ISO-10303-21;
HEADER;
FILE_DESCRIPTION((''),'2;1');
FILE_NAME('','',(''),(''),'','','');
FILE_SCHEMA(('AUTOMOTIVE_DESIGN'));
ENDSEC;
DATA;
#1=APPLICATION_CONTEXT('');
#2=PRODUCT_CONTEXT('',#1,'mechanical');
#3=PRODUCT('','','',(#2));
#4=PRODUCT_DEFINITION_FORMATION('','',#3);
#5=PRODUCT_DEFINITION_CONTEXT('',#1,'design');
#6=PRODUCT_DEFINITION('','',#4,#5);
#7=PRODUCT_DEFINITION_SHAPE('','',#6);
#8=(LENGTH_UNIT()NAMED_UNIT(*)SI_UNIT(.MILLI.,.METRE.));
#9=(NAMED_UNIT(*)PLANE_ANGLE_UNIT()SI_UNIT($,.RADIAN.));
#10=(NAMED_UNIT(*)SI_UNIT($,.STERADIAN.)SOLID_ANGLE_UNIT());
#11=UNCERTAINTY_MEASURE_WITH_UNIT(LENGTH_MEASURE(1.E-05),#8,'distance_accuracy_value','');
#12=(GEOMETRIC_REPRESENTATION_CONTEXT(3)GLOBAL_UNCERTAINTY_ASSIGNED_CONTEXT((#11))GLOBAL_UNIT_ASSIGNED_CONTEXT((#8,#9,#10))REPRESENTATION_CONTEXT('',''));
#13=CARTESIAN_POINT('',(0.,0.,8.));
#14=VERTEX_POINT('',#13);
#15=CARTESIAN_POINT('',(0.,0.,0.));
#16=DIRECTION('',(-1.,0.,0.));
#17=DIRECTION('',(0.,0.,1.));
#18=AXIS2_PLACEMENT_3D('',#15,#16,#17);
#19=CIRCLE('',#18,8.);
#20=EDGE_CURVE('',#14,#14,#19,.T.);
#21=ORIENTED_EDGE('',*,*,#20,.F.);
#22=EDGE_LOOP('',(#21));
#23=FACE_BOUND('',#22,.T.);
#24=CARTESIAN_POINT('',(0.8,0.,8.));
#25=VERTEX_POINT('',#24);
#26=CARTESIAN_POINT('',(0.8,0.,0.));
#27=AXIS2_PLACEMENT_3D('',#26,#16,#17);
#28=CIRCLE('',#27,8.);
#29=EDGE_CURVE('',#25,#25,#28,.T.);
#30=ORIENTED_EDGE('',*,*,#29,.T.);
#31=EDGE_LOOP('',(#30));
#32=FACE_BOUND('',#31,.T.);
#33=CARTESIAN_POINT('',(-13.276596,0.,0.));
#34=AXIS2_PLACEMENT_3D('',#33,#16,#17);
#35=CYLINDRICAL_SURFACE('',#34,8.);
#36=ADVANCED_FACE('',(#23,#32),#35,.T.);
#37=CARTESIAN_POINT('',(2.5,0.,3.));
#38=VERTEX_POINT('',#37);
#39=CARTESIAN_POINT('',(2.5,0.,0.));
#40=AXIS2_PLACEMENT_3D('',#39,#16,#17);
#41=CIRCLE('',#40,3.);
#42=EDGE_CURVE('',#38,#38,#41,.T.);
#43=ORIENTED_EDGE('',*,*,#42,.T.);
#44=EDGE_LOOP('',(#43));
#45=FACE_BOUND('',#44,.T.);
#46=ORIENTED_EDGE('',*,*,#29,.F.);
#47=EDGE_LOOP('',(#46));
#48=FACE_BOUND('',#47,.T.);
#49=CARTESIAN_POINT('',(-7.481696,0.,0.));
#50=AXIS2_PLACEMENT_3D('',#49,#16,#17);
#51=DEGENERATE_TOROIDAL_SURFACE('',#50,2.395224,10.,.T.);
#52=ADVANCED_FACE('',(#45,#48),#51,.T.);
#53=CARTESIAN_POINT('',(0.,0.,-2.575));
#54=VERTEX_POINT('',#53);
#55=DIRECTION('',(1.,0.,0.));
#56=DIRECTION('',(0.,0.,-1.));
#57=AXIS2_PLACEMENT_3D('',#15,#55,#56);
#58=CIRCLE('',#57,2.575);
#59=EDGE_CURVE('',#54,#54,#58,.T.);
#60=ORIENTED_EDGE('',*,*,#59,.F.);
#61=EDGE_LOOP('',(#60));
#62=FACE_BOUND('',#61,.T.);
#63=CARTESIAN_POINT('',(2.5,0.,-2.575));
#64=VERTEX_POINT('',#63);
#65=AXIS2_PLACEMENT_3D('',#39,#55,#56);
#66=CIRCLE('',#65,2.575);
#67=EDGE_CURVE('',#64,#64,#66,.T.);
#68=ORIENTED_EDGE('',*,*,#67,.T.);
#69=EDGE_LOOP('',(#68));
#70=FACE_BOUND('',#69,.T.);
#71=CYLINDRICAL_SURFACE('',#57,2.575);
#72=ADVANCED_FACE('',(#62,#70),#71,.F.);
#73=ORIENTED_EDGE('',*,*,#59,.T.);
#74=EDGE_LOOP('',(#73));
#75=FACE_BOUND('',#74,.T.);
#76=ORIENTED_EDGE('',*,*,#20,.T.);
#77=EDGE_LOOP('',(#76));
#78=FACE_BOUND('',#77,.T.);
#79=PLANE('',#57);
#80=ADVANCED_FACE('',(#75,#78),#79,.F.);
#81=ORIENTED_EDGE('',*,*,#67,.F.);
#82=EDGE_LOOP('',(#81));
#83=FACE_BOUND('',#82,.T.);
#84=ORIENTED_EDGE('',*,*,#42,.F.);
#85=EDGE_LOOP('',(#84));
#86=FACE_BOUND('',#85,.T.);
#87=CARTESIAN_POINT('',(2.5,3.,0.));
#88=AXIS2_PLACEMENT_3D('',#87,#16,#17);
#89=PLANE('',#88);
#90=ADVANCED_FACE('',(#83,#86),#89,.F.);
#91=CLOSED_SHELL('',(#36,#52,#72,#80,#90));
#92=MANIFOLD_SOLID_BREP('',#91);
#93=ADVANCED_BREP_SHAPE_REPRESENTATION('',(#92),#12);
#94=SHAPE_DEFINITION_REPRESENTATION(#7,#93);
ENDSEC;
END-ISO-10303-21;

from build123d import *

# Parameters (mm, degrees)
SKETCH5_R          = 2.575
CUT_EXTRUDE3_DEPTH = 3.5


with BuildPart() as part:
    # Sketch1 → Revolve1 (revolve)
    with BuildSketch(Plane.XY):
        with BuildLine():
            Line((0, 0), (0, 8))
            Line((0, 8), (0.8, 8))
            ThreePointArc((0.8, 8), (1.98603193, 5.614250856), (2.5, 3))
            Line((2.5, 3), (2.5, 0))
            Line((2.5, 0), (0, 0))
        make_face()
    revolve(axis=Axis((-13.276595745, 0, 0), (1, 0, 0)))

    # Sketch5 → Cut-Extrude3 (cut, through all)
    with BuildSketch(Plane(origin=(2.5, 0, 0), x_dir=(0, 0, -1), z_dir=(1, 0, 0))):
        Circle(SKETCH5_R)
    extrude(amount=-CUT_EXTRUDE3_DEPTH, mode=Mode.SUBTRACT)


solid = part.part
